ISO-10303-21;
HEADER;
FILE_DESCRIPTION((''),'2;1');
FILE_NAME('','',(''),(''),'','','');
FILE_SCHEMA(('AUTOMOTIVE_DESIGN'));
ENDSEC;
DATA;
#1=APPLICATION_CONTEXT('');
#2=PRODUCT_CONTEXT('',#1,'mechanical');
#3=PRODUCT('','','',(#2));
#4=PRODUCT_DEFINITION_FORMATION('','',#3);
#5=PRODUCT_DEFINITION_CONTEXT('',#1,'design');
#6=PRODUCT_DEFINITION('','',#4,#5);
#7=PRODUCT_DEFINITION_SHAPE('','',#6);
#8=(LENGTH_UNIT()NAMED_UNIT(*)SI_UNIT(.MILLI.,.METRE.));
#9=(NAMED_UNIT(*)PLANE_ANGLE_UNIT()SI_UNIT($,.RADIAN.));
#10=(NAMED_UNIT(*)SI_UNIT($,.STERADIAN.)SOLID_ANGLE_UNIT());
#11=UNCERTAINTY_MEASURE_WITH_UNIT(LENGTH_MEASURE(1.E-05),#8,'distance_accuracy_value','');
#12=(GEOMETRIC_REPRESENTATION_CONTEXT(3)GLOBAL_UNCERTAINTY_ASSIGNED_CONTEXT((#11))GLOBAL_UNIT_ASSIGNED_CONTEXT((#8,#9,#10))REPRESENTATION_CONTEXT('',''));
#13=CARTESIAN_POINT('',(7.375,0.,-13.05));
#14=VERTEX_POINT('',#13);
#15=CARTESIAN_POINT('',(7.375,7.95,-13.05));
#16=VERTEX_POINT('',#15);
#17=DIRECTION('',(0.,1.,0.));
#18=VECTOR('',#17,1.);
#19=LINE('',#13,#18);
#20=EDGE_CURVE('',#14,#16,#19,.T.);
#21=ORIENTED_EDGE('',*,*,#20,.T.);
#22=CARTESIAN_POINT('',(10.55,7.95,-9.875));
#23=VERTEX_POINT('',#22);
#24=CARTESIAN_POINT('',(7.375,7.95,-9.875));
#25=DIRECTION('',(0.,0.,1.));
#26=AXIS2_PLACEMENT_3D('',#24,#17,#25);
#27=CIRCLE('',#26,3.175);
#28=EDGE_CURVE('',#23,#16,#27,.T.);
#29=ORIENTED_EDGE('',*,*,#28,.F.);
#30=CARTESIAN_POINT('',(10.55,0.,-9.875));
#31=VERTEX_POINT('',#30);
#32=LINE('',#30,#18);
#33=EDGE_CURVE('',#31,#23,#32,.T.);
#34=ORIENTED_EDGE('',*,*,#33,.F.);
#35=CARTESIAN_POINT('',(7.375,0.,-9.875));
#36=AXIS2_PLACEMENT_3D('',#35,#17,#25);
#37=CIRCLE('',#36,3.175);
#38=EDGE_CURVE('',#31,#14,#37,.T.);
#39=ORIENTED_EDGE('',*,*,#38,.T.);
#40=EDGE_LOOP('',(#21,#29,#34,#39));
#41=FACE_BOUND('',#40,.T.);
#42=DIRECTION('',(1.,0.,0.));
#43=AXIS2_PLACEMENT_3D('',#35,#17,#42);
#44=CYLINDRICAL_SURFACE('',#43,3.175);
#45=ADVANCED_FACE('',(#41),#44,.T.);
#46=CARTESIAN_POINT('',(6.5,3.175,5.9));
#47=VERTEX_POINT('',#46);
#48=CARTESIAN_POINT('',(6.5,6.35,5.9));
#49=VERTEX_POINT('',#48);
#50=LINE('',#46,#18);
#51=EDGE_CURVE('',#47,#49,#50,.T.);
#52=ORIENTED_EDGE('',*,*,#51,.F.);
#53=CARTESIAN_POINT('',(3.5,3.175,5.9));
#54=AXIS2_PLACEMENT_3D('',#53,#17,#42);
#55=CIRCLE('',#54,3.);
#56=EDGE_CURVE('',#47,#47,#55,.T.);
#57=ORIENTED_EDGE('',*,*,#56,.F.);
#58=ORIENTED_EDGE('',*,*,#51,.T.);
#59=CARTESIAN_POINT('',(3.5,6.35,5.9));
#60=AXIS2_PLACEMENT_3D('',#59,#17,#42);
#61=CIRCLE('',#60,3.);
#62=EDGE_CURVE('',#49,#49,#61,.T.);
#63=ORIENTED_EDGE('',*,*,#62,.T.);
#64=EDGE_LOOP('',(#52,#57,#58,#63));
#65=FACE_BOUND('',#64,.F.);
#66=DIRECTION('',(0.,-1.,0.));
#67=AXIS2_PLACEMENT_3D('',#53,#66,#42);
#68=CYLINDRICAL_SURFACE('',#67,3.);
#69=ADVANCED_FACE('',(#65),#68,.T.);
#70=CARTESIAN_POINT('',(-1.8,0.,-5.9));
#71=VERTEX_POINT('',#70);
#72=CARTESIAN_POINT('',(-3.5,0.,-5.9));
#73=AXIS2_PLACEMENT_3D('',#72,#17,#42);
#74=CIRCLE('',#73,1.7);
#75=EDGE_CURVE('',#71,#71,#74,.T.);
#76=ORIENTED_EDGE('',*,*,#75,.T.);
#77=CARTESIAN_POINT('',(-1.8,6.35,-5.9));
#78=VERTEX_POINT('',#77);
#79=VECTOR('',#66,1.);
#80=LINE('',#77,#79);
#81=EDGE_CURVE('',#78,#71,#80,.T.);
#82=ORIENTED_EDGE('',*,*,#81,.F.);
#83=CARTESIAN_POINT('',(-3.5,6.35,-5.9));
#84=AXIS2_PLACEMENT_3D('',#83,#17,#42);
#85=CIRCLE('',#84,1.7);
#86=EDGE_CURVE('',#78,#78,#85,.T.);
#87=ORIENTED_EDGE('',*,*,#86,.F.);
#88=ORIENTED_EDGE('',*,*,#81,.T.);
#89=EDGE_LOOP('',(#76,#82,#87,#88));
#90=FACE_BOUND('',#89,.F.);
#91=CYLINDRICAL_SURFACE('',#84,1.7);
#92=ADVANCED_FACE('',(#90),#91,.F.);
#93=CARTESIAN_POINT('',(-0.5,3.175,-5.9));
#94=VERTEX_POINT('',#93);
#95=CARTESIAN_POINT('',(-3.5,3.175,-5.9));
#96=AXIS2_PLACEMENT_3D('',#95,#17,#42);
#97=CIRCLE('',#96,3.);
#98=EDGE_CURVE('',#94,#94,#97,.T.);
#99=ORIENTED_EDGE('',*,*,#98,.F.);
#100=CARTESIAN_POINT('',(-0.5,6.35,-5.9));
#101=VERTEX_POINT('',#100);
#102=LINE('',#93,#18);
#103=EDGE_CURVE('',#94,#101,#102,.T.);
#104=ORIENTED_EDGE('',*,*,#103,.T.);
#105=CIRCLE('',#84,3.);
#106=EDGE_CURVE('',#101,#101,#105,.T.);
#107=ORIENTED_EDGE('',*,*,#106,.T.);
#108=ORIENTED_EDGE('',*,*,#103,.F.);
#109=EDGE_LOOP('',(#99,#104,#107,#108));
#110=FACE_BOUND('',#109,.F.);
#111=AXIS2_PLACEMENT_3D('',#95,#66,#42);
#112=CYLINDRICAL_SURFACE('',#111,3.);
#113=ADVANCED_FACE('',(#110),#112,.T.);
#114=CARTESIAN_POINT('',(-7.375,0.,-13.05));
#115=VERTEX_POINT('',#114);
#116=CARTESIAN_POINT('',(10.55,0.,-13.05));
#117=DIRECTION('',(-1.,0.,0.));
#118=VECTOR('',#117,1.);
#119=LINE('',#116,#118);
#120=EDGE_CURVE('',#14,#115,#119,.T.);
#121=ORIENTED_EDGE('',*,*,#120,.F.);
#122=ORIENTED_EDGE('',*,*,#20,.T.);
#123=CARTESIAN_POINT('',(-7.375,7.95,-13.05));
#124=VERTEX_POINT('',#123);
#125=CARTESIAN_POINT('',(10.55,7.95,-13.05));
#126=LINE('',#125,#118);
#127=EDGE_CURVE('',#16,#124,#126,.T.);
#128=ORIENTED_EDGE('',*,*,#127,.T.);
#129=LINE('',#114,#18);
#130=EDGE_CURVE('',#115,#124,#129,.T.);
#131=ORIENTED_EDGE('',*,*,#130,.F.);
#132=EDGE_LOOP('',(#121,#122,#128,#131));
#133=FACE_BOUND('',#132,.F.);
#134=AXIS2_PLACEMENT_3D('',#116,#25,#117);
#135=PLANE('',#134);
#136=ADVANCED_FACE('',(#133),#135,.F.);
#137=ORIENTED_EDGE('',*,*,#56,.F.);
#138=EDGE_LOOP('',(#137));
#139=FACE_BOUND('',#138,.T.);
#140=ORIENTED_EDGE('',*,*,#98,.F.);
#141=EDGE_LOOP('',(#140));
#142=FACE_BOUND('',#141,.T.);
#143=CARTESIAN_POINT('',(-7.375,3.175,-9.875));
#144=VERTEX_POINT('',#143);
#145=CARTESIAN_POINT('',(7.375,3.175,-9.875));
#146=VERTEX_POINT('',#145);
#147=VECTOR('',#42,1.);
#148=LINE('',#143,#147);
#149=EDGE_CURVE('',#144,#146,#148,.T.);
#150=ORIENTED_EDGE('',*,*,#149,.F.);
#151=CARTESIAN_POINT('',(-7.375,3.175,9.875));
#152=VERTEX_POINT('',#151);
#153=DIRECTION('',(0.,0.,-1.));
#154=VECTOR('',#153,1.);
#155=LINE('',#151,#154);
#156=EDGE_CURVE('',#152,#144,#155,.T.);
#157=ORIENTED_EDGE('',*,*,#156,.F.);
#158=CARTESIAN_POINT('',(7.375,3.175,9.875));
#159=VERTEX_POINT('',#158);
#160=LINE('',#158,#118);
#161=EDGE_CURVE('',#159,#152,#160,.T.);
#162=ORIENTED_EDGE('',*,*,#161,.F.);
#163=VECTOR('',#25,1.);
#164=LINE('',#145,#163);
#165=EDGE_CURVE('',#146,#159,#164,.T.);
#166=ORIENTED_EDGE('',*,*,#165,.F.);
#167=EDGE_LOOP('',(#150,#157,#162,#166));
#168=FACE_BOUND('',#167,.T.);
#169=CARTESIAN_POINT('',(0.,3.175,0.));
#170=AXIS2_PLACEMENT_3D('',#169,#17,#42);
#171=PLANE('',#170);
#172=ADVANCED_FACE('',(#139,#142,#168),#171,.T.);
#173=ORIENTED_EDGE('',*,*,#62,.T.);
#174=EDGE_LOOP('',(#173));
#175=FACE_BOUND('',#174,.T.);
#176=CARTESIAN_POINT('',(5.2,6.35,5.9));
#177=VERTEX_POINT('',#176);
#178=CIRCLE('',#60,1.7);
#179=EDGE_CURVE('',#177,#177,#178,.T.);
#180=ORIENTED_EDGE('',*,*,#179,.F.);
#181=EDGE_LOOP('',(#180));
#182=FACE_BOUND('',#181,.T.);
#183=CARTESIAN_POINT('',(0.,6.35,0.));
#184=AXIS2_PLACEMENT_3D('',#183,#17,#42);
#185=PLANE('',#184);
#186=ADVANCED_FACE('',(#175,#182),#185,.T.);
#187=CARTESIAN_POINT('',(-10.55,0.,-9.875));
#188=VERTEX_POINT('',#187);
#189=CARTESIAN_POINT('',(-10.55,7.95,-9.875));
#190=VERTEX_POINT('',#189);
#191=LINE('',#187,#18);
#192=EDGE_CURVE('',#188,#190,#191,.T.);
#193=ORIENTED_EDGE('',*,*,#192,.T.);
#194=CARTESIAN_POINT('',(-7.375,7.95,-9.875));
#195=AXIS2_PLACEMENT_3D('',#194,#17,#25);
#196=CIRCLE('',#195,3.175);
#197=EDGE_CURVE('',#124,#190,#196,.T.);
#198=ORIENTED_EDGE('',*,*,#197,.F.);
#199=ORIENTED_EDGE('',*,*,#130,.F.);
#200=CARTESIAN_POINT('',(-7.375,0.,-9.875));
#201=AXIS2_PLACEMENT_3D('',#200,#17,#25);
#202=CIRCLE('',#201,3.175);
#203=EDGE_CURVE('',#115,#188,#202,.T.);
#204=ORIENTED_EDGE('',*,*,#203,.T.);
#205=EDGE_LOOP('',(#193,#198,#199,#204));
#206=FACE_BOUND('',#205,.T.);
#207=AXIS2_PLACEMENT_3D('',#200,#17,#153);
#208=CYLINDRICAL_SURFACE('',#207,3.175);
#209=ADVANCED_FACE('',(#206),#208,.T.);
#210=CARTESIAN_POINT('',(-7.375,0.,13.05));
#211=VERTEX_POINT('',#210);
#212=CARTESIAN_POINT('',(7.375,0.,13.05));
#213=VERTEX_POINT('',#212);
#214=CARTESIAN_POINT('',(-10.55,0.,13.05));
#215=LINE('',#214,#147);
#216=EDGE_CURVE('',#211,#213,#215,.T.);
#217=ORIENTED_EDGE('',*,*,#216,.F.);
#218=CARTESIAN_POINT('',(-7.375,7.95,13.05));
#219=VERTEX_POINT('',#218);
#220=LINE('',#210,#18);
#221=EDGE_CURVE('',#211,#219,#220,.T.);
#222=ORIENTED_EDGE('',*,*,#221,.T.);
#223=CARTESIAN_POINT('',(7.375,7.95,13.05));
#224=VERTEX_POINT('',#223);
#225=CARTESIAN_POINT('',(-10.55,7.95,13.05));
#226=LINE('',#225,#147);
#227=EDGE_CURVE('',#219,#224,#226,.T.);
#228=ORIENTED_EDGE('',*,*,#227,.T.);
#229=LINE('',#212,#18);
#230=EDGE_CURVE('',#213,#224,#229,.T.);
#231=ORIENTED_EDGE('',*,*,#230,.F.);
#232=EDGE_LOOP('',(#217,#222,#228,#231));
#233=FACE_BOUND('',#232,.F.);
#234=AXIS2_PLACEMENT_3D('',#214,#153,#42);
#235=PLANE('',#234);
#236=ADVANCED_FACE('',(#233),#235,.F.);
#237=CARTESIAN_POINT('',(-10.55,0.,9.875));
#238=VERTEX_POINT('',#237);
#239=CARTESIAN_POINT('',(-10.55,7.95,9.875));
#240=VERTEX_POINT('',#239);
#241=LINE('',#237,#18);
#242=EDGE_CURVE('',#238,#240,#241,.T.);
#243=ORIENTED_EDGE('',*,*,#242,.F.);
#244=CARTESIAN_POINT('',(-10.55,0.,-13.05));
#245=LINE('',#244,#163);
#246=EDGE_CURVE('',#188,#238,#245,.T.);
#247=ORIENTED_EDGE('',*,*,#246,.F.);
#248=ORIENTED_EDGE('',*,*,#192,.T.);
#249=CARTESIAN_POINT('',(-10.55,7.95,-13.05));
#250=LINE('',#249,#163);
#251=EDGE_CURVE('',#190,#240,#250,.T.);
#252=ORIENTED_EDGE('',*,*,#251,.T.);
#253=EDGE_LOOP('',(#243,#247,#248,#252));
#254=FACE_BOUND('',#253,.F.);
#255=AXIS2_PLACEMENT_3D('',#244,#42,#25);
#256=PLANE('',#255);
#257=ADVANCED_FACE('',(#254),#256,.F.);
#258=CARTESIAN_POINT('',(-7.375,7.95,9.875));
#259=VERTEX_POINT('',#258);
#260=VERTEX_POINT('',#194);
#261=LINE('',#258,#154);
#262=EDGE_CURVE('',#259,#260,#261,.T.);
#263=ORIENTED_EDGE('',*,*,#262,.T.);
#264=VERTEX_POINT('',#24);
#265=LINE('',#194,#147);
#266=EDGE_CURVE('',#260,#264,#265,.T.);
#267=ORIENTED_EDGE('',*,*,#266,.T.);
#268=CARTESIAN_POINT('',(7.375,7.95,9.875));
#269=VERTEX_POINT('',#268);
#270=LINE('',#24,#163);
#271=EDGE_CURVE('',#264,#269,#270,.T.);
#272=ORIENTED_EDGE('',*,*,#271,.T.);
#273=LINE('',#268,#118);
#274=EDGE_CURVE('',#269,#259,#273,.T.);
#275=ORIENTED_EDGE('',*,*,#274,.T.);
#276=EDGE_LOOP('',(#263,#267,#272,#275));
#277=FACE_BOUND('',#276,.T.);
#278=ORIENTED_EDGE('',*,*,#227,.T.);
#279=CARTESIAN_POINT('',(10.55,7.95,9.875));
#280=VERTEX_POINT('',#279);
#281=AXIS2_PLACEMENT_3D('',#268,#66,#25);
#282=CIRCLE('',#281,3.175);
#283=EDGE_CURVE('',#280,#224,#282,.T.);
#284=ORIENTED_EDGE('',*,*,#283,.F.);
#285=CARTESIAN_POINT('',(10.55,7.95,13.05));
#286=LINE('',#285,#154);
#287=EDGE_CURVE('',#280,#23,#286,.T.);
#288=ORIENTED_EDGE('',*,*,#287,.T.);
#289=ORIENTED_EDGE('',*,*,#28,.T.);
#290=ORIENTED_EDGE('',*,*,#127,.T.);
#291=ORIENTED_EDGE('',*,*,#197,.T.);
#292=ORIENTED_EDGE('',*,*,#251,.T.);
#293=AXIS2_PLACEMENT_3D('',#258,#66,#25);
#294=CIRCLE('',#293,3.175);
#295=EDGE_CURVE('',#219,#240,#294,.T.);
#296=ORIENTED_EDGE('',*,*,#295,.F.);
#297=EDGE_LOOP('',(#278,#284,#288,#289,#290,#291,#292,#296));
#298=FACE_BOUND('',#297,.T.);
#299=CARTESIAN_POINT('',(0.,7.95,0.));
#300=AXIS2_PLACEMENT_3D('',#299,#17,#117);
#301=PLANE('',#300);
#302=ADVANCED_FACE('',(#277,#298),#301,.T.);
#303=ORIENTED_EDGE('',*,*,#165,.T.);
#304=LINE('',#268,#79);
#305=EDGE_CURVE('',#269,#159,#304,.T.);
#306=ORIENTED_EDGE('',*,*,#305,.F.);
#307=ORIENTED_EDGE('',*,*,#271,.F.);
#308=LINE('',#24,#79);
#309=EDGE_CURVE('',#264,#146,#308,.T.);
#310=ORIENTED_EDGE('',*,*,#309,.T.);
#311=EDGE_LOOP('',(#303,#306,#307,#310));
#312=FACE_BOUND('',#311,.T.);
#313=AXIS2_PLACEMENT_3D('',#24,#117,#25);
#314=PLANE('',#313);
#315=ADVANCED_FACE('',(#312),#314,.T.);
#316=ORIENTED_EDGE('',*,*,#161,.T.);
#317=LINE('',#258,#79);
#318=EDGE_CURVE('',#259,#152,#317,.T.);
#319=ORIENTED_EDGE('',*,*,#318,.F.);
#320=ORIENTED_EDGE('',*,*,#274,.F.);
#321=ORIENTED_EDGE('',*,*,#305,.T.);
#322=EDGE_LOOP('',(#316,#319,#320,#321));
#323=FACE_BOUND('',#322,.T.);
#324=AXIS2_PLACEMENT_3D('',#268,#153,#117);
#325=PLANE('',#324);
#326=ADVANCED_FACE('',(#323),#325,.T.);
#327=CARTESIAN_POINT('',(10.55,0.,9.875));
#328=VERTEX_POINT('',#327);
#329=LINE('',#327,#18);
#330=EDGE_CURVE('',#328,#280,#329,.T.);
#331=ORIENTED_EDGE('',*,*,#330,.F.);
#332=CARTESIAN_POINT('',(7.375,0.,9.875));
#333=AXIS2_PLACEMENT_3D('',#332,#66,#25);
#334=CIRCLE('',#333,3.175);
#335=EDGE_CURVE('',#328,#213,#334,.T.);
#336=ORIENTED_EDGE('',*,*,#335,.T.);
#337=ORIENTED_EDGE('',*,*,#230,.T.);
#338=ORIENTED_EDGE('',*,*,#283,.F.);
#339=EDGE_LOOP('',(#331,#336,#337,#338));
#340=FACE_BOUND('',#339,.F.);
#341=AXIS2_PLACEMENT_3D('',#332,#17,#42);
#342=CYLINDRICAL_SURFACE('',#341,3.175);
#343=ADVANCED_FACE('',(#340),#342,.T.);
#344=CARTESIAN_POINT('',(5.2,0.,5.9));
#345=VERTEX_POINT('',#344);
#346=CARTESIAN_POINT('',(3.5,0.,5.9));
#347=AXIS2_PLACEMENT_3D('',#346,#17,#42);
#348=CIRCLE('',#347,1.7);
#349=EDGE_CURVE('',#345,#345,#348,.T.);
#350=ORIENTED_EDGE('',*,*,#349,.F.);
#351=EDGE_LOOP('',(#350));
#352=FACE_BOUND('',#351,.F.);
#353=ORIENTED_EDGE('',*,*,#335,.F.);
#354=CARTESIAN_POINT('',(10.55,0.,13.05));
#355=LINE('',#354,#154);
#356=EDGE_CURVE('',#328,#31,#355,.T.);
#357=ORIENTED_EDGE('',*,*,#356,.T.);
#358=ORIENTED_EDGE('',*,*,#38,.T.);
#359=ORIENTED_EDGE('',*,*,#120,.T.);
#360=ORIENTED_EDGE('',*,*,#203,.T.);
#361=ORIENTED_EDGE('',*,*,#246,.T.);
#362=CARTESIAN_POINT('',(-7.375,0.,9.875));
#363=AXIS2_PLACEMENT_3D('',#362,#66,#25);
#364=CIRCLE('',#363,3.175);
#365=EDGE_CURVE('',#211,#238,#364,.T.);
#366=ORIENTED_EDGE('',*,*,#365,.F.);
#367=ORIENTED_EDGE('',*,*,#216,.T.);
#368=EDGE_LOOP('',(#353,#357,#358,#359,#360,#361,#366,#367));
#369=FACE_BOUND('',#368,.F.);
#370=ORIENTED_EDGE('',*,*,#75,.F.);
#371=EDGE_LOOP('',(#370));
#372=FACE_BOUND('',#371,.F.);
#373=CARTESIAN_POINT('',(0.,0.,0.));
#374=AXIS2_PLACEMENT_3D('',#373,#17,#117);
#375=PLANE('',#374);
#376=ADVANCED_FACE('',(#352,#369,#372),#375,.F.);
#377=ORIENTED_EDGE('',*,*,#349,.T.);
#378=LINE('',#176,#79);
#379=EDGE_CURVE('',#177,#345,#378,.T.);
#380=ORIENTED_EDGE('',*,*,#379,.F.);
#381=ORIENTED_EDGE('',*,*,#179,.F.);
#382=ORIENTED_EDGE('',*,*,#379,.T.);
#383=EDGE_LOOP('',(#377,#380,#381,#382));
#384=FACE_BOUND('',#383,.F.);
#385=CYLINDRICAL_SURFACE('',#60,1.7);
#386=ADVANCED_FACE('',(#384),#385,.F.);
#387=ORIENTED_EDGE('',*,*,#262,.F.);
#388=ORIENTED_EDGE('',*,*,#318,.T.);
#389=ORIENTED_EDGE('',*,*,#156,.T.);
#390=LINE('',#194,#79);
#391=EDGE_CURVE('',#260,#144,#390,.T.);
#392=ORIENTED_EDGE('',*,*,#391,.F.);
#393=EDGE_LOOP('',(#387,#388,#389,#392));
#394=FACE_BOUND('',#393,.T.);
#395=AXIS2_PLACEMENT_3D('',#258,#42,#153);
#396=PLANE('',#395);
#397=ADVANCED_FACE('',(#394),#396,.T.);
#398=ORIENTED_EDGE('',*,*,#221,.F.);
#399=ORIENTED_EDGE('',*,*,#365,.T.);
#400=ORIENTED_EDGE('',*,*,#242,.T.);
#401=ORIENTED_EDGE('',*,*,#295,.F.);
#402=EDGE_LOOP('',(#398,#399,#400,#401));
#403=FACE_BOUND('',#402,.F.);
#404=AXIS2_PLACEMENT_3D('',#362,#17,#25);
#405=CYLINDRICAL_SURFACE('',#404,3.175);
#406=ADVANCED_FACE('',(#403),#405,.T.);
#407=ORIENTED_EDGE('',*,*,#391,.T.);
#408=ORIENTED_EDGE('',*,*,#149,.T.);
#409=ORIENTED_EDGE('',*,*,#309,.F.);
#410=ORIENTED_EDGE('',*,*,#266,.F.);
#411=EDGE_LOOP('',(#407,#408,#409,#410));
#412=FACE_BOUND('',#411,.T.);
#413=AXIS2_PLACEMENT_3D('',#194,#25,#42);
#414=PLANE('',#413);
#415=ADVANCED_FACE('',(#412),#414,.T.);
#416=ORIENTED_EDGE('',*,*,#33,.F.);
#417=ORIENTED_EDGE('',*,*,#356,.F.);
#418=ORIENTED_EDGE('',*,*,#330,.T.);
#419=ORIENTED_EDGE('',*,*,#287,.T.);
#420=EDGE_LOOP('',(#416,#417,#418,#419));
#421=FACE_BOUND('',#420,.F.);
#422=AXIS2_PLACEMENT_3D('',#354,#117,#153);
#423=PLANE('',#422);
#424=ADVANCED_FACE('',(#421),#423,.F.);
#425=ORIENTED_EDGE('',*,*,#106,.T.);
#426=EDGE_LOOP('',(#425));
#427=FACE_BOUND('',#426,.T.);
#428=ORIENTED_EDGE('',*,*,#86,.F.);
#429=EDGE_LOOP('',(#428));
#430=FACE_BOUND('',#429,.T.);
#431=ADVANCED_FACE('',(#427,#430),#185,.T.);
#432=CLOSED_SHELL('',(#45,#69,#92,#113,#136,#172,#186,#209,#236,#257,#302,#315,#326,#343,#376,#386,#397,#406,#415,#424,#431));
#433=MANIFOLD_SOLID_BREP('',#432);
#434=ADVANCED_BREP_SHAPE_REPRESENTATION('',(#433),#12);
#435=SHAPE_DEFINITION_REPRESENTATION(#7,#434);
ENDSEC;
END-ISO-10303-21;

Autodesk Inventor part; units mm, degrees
ref_plane "YZ Plane" through (0, 0, 0) normal (1, 0, 0) x (0, 1, 0)
ref_plane "XZ Plane" through (0, 0, 0) normal (0, 1, 0) x (-1, 0, 0)
ref_plane "XY Plane" through (0, 0, 0) normal (0, 0, 1) x (1, 0, 0)
sketch "Sketch1" plane through (0, 0, 0) normal (0, 1, 0) x (-1, 0, 0)
  line L0 (-10.55, -13.05) -> (10.55, -13.05)
  line L1 (10.55, -13.05) -> (10.55, 13.05)
  line L2 (10.55, 13.05) -> (-10.55, 13.05)
  line L3 (-10.55, 13.05) -> (-10.55, -13.05)
  line L4 (-10.55, -13.05) -> (10.55, 13.05) construction
  line L5 (10.55, -13.05) -> (-10.55, 13.05) construction
  point P0 (0, 0)
  dimension "d0" = 26.1
  dimension "d1" = 21.1
extrude "Extrusion1" add sketch "Sketch1" along normal blind 7.95
sketch "Sketch2" plane through (0, 7.95, 0) normal (0, 1, 0) x (1, 0, 0)
  line L0 (7.375, -9.875) -> (-7.375, -9.875)
  line L1 (-7.375, -9.875) -> (-7.375, 9.875)
  line L2 (-7.375, 9.875) -> (7.375, 9.875)
  line L3 (7.375, 9.875) -> (7.375, -9.875)
  line L4 (7.375, -9.875) -> (-7.375, 9.875) construction
  line L5 (-7.375, -9.875) -> (7.375, 9.875) construction
  point P0 (0, 0)
  dimension "d4" = 19.75
  dimension "d5" = 14.75
extrude "Extrusion2" cut sketch "Sketch2" against normal blind 4.775
sketch "Sketch3" plane through (0, 3.175, 0) normal (0, 1, 0) x (1, 0, 0)
  circle A0 centre (-3.5, 5.9) radius 3
  circle A1 centre (3.5, -5.9) radius 3
  point P0 (0, 0)
  dimension "d8" = 11.8
  dimension "d9" = 7
  dimension "d10" = 5.9
  dimension "d11" = 3.5
  dimension "d12" = 6
  dimension "d13" = 6
extrude "Extrusion3" add sketch "Sketch3" along normal blind 3.175
sketch "Sketch4" plane through (3.5, 6.35, 5.9) normal (0, 1, 0) x (1, 0, 0)
  circle A0 centre (0, 0) radius 1.7
  circle A1 centre (-7, 11.8) radius 3 projected
  circle A2 centre (-7, 11.8) radius 1.7
  point P0 (-3.5, 5.9)
  dimension "d16" = 3.4
  dimension "d17" = 3.4
extrude "Extrusion4" cut sketch "Sketch4" against normal through all contours A0 | A2
fillet "Fillet1" radius 3.175 4 edges at (10.55, 3.975, 13.05) (10.55, 3.975, -13.05) (-10.55, 3.975, 13.05) (-10.55, 3.975, -13.05)
equation "\"d10\" = 0.5 * d8"
equation "\"d11\" = 0.5 * d9"
equation "\"d13\" = d12"
equation "\"d16\" = m3_clearance"
equation "\"d17\" = m3_clearance"
equation "\"m3_heat_set_insert\" = 4"
equation "\"m3_clearance\" = 3.4"
equation "\"m3_heat_set_depth\" = 7"
equation "\"robot_diameter\" = 354"
equation "\"hardboard_thickness\" = 5"
equation "\"motor_centerline_height\" = 13"
properties part number "environmental_sensor_case"
